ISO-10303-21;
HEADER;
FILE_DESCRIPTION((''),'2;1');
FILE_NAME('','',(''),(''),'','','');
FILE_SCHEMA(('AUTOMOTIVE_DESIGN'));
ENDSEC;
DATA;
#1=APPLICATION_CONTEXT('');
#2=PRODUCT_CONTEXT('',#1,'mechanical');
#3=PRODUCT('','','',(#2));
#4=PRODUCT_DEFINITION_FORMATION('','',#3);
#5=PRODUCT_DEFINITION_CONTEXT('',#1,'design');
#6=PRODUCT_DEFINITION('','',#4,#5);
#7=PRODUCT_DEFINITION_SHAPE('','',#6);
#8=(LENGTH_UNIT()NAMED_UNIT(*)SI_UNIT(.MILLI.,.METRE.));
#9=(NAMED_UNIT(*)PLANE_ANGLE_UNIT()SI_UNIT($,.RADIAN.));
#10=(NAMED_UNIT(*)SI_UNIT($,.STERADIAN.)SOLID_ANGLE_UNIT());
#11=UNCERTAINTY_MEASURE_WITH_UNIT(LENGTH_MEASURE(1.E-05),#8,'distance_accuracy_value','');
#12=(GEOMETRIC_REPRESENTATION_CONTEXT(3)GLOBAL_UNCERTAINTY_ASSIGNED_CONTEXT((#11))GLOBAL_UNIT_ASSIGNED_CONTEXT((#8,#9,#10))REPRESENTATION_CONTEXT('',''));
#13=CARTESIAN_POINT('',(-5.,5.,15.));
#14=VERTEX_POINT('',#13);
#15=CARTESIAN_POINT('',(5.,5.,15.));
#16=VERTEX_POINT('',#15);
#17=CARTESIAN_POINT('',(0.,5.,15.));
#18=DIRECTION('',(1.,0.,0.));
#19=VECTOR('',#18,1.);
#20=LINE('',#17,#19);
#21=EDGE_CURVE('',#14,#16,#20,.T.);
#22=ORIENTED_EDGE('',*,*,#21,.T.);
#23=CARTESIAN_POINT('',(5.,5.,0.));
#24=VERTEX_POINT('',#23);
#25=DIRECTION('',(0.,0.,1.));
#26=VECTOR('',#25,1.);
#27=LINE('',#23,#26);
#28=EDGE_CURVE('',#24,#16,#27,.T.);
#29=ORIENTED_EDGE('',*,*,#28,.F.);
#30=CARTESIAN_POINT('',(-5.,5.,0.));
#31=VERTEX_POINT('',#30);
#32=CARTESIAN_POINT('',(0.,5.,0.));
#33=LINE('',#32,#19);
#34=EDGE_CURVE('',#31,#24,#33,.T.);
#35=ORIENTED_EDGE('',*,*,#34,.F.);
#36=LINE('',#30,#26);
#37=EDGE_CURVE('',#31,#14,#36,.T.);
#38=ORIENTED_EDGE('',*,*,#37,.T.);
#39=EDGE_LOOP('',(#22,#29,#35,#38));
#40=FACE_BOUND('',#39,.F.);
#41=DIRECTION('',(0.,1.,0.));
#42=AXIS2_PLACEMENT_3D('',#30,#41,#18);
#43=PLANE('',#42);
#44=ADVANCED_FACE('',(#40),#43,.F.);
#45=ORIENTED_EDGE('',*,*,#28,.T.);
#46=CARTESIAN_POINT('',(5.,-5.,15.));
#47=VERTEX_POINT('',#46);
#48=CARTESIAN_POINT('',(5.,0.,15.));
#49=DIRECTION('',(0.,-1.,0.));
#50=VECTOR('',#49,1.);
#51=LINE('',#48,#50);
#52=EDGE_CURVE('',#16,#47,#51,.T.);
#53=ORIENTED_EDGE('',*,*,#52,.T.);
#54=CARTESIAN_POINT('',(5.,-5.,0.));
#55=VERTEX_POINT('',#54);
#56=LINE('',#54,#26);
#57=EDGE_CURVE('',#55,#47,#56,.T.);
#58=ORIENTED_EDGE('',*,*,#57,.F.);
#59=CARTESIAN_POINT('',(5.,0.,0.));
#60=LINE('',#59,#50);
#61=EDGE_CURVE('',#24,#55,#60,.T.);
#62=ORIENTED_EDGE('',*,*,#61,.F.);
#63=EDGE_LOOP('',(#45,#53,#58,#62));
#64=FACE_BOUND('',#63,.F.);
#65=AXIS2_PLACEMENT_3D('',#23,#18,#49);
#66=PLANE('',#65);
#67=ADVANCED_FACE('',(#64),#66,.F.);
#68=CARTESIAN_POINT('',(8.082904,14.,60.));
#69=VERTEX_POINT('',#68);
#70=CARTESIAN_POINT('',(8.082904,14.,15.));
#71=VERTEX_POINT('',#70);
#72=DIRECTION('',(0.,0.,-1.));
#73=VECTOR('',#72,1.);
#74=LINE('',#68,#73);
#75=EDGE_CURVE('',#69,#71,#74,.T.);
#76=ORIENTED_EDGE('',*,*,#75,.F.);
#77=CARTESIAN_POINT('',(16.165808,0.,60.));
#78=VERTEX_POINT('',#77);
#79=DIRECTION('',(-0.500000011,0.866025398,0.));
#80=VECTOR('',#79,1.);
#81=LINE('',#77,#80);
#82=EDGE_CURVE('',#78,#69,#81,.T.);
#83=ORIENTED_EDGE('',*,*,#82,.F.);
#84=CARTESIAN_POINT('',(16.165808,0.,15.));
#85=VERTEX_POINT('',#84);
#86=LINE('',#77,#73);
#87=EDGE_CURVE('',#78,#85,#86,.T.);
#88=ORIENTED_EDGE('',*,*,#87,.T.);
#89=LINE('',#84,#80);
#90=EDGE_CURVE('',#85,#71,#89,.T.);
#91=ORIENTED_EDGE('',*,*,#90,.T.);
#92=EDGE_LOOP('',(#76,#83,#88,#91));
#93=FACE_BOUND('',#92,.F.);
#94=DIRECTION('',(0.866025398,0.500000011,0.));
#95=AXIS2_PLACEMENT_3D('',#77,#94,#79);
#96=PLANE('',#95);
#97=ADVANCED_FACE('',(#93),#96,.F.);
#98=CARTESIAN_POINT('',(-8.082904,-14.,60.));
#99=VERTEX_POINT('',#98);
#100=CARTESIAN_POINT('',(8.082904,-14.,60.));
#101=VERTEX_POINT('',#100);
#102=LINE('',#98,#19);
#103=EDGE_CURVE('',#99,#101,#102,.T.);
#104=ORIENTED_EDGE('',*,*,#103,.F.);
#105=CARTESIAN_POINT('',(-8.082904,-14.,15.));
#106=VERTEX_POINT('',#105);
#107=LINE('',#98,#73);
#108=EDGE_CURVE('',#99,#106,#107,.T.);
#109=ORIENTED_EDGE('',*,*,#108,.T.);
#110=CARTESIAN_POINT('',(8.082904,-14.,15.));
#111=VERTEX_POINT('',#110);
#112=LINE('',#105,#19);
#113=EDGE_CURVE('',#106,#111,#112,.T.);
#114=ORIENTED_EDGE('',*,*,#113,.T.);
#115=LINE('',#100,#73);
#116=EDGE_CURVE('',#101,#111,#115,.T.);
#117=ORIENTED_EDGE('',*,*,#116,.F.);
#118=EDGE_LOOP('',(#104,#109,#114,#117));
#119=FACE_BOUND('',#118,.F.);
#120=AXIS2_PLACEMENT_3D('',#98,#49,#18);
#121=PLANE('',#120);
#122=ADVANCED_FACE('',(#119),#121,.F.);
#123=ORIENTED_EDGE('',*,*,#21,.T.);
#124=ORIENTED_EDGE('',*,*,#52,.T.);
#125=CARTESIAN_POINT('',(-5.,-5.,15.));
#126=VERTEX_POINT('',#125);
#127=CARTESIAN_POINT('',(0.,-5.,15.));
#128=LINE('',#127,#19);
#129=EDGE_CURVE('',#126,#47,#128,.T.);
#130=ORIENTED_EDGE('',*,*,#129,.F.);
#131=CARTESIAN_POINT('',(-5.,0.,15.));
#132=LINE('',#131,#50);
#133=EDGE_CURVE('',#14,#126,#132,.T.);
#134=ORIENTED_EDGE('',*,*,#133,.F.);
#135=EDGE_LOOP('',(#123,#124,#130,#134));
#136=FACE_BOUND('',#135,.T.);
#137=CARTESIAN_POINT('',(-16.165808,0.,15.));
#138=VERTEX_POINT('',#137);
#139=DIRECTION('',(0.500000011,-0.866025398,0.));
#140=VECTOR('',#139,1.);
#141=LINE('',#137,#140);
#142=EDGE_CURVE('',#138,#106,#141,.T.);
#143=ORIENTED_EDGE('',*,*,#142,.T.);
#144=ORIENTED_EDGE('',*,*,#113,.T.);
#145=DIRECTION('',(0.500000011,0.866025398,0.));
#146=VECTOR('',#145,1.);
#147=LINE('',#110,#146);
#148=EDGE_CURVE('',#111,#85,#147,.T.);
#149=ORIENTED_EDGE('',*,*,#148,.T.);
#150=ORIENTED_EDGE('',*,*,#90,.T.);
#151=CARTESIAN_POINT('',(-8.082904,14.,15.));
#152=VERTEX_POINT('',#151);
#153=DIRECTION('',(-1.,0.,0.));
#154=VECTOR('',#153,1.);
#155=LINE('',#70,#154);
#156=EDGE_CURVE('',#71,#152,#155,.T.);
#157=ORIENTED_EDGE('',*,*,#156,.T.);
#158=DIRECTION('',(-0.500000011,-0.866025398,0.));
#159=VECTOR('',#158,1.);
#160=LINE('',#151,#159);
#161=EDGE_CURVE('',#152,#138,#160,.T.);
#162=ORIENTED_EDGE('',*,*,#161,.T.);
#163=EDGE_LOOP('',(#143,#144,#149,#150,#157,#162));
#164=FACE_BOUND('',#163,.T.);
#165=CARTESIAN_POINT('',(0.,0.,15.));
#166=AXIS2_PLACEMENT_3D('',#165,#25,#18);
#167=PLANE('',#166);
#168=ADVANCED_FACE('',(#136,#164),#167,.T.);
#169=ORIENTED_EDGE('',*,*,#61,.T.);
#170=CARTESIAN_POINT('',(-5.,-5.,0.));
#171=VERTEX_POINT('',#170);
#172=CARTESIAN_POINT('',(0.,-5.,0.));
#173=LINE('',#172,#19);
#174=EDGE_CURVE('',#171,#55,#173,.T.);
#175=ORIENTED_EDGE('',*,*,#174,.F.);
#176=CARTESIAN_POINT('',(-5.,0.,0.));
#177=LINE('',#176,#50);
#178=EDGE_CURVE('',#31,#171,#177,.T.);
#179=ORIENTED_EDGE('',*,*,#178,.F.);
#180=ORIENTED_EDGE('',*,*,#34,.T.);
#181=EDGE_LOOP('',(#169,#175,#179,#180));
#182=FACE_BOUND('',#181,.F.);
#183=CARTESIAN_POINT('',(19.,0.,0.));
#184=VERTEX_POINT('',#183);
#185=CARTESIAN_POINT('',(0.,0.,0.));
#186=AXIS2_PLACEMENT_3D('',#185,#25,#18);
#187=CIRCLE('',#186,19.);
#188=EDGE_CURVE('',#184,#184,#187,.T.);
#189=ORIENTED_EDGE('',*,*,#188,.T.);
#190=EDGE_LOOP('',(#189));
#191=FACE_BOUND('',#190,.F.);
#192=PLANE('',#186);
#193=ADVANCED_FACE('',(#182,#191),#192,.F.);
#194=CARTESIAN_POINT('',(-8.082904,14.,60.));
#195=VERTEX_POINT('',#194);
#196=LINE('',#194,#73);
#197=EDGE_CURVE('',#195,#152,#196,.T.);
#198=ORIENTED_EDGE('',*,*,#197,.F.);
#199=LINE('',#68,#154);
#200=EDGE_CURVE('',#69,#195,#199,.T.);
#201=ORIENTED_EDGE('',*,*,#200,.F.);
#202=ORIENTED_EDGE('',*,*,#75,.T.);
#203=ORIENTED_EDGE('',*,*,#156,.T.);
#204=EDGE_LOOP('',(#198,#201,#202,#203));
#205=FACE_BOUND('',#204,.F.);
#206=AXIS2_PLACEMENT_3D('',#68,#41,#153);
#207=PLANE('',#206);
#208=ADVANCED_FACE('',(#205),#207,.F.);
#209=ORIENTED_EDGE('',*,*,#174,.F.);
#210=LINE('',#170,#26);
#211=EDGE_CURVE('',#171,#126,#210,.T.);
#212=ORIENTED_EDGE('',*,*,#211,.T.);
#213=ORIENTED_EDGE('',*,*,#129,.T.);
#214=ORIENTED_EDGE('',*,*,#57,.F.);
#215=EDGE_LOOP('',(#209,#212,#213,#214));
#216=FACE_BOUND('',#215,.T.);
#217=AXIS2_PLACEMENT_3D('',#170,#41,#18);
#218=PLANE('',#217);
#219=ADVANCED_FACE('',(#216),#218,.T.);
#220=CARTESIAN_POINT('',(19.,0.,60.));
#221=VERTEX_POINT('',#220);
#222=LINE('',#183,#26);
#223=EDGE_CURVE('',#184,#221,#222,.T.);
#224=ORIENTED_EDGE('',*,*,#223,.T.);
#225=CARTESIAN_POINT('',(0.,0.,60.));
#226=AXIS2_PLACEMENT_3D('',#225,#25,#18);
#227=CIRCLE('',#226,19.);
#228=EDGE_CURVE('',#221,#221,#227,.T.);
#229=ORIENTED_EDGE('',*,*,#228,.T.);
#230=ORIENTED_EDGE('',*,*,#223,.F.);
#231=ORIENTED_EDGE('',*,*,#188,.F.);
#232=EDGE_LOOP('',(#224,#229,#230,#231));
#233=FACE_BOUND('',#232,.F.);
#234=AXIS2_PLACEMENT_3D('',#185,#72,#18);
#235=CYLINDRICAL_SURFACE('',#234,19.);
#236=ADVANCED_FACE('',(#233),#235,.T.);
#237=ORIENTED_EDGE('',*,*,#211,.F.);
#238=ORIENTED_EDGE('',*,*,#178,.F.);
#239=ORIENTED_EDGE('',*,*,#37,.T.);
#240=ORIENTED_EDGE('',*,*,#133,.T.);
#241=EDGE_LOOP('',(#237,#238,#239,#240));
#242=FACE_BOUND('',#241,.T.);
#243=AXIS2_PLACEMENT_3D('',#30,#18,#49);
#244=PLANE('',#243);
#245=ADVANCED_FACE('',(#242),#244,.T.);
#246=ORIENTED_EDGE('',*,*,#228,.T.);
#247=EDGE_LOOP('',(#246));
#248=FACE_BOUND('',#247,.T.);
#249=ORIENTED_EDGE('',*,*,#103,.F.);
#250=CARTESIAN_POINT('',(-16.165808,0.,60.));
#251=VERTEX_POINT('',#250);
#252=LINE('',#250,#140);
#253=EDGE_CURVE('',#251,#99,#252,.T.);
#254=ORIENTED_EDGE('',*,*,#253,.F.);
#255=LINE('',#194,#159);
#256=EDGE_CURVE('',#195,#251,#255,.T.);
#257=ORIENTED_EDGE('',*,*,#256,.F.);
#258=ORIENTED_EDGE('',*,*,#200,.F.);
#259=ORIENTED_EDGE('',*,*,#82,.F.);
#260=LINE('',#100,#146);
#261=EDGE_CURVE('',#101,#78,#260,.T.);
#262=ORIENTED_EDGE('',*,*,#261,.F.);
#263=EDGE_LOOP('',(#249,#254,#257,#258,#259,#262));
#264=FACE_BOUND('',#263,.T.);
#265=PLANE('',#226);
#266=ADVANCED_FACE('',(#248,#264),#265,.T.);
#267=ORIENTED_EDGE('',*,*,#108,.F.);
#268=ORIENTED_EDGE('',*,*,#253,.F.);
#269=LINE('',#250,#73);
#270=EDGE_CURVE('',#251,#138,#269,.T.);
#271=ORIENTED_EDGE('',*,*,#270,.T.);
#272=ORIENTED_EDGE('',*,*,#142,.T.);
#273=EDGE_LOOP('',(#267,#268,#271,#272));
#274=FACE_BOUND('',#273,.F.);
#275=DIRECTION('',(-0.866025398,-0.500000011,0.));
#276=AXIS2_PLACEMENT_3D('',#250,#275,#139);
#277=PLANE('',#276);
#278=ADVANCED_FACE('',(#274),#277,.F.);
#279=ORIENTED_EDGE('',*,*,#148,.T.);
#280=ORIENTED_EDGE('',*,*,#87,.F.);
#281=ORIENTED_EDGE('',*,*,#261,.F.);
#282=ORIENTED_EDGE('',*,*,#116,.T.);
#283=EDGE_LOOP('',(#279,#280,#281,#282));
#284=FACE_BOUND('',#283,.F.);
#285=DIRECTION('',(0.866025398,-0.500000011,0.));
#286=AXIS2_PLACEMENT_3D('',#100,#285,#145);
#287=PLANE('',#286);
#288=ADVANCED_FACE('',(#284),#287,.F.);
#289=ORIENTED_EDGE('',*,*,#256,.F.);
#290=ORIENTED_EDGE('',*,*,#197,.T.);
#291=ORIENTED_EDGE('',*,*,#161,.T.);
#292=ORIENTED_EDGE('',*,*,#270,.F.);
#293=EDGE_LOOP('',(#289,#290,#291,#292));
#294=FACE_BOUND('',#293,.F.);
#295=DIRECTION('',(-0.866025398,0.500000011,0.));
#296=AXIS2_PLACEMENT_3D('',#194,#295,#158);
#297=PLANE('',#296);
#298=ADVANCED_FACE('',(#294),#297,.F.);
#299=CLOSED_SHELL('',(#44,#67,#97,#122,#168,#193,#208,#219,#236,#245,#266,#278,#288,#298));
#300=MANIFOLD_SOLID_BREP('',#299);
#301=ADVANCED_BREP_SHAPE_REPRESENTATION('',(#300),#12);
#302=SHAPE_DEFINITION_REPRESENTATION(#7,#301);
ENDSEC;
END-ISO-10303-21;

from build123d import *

# Parameters (mm, degrees)
F0_R     = 19
F1_DEPTH = 60
F3_DEPTH = 45
F4_W     = 10
F4_H     = 10
F5_DEPTH = 15


with BuildPart() as f1:
    # F0 (on Top) → F1 (new body)
    with BuildSketch(Plane.XY):
        Circle(F0_R)
    extrude(amount=F1_DEPTH)

    # F2 (on face) → F3 (cut)
    with BuildSketch(Plane.XY.offset(60)):
        Polygon((8.082904, 14), (-8.082904, 14), (-16.165808, 0), (-8.082904, -14), (8.082904, -14), (16.165808, 0), align=None)
    extrude(amount=-F3_DEPTH, mode=Mode.SUBTRACT)

    # F4 (on face) → F5 (cut, through all)
    with BuildSketch(Plane(origin=(0, 0, 0), x_dir=(1, 0, 0), z_dir=(0, 0, -1))):
        Rectangle(F4_W, F4_H)
    extrude(amount=-F5_DEPTH, mode=Mode.SUBTRACT)


solid = f1.part
